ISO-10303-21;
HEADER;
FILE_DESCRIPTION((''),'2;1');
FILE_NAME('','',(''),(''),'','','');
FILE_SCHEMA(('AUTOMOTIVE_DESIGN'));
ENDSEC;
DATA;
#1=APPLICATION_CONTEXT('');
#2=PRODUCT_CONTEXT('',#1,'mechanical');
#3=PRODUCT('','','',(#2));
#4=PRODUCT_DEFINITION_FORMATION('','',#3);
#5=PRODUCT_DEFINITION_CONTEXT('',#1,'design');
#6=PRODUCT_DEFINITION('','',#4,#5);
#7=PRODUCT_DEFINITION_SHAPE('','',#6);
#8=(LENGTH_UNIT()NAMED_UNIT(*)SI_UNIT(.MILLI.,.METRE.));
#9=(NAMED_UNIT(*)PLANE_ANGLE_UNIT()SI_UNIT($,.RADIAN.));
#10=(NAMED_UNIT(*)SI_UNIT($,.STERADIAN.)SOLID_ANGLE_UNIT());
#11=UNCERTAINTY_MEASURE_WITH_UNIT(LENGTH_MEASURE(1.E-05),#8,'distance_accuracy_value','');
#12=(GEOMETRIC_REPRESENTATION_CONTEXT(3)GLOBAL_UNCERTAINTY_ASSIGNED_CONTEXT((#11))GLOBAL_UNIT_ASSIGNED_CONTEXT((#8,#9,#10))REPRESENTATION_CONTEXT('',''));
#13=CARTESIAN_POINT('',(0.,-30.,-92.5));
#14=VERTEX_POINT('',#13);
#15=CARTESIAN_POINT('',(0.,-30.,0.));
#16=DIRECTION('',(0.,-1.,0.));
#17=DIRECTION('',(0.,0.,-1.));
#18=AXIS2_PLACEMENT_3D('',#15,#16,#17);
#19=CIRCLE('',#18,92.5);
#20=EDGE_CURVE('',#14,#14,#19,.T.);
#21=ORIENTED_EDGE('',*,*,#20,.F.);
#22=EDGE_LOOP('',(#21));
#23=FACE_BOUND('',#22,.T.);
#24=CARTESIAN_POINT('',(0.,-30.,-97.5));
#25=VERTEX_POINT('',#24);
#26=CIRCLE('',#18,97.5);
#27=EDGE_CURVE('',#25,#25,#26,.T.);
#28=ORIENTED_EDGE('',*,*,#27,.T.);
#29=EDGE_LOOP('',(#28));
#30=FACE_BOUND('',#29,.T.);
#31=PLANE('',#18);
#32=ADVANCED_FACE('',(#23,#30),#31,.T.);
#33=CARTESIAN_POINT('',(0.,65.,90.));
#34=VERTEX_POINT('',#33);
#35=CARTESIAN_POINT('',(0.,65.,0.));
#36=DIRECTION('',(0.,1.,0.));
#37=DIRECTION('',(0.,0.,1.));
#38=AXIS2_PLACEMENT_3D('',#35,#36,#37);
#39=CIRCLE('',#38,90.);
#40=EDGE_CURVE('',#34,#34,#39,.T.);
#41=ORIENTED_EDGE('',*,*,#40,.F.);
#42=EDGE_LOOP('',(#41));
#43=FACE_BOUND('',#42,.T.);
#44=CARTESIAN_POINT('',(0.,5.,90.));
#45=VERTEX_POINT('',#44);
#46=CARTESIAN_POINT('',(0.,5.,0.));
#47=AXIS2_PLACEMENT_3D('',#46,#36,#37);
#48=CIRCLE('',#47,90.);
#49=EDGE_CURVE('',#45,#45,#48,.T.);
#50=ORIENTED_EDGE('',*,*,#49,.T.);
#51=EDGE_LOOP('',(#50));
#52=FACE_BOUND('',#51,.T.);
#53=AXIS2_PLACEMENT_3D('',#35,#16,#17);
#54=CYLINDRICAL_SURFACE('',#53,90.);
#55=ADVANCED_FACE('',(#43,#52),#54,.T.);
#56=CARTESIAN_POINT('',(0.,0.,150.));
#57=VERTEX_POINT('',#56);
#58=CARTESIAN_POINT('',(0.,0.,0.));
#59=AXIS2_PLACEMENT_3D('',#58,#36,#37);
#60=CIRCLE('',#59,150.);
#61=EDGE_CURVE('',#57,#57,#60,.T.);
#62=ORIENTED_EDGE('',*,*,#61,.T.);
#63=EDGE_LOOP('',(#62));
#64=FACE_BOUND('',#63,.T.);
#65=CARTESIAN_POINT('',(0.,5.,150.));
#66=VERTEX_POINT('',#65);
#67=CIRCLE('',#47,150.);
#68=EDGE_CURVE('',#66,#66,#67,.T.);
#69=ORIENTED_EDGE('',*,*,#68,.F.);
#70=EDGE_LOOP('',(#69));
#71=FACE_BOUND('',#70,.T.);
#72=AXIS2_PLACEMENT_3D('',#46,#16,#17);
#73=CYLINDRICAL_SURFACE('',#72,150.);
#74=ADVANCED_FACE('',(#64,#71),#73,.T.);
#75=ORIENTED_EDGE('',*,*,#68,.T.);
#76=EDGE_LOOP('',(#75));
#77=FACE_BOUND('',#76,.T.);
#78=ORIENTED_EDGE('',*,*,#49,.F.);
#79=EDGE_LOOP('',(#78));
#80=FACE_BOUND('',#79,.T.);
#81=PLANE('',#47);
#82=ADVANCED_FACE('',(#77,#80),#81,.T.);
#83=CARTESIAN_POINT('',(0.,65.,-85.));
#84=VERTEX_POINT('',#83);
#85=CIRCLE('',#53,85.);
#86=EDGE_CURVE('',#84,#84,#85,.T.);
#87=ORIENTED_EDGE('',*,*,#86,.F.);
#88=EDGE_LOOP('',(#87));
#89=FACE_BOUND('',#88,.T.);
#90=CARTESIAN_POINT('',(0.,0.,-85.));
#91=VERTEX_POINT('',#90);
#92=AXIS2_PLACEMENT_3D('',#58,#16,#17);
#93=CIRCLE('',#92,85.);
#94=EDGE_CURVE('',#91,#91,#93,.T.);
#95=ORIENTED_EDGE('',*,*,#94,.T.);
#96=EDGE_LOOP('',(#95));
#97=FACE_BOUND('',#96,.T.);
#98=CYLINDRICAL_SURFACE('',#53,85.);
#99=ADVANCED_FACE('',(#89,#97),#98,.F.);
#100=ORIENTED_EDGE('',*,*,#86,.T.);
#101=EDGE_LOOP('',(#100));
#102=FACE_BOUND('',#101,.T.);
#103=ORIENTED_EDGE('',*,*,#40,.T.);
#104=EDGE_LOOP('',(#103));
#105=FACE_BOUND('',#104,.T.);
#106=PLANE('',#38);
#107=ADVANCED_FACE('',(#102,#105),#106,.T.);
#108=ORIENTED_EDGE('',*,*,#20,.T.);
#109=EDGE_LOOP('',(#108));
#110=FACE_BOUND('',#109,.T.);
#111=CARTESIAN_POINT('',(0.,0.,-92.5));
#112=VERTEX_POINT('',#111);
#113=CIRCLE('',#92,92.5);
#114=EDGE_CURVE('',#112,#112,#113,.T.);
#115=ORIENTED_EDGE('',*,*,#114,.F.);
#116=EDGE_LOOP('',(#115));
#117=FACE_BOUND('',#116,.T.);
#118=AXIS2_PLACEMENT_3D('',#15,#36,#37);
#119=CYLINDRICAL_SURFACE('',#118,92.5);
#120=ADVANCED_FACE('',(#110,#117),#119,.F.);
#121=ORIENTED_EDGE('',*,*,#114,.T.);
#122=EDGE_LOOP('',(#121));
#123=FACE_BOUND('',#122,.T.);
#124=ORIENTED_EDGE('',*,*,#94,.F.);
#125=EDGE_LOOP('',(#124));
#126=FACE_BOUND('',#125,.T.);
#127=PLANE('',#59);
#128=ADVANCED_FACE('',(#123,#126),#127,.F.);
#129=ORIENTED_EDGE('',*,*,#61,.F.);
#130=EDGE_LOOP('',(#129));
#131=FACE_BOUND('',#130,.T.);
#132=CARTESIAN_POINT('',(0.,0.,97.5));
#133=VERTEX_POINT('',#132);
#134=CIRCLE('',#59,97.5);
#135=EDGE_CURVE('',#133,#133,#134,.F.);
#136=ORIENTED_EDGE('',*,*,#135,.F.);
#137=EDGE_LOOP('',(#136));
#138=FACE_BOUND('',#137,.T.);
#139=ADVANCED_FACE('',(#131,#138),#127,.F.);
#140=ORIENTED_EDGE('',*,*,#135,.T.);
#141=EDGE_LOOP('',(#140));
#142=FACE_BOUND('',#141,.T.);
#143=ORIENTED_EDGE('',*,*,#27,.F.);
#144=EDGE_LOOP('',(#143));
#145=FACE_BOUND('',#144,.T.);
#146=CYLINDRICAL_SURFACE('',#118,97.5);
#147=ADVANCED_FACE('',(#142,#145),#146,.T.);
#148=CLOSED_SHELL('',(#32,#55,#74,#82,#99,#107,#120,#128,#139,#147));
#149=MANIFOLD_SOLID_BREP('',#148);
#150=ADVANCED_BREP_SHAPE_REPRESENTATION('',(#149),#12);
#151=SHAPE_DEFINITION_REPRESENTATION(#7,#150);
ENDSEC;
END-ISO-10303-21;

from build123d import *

# Parameters (mm, degrees)
SKETCH_2_R          = 150
EXTRUDE_1_DEPTH     = 5
SKETCH_3_R          = 90
EXTRUDE_2_DEPTH     = 60
SKETCH_4_R          = 85
CUT_EXTRUDE_1_DEPTH = 222.867077323
SKETCH_5_R          = 97.5
SKETCH_5_R_2        = 92.5
EXTRUDE_3_DEPTH     = 30


with BuildPart() as part:
    # 草图2 → 凸台-拉伸1 (new body)
    with BuildSketch(Plane(origin=(0, 0, 0), x_dir=(1, 0, 0), z_dir=(0, 1, 0))):
        with Locations(Location((0, 0, 0), (0, 0, 270))):
            Circle(SKETCH_2_R)
    extrude(amount=EXTRUDE_1_DEPTH)

    # 草图3 → 凸台-拉伸2 (add)
    with BuildSketch(Plane(origin=(0, 5, 0), x_dir=(1, 0, 0), z_dir=(0, 1, 0))):
        with Locations(Location((0, 0, 0), (0, 0, 270))):
            Circle(SKETCH_3_R)
    extrude(amount=EXTRUDE_2_DEPTH)

    # 草图4 → 切除-拉伸1 (cut, through all)
    with BuildSketch(Plane.XZ):
        with Locations(Location((0, 0, 0), (0, 0, 270))):
            Circle(SKETCH_4_R)
    extrude(amount=-CUT_EXTRUDE_1_DEPTH, mode=Mode.SUBTRACT)

    # 草图5 → 凸台-拉伸3 (add)
    with BuildSketch(Plane.XZ):
        with Locations(Location((0, 0, 0), (0, 0, 90))):
            Circle(SKETCH_5_R)
        with Locations(Location((0, 0, 0), (0, 0, 270))):
            Circle(SKETCH_5_R_2, mode=Mode.SUBTRACT)
    extrude(amount=EXTRUDE_3_DEPTH)


solid = part.part
